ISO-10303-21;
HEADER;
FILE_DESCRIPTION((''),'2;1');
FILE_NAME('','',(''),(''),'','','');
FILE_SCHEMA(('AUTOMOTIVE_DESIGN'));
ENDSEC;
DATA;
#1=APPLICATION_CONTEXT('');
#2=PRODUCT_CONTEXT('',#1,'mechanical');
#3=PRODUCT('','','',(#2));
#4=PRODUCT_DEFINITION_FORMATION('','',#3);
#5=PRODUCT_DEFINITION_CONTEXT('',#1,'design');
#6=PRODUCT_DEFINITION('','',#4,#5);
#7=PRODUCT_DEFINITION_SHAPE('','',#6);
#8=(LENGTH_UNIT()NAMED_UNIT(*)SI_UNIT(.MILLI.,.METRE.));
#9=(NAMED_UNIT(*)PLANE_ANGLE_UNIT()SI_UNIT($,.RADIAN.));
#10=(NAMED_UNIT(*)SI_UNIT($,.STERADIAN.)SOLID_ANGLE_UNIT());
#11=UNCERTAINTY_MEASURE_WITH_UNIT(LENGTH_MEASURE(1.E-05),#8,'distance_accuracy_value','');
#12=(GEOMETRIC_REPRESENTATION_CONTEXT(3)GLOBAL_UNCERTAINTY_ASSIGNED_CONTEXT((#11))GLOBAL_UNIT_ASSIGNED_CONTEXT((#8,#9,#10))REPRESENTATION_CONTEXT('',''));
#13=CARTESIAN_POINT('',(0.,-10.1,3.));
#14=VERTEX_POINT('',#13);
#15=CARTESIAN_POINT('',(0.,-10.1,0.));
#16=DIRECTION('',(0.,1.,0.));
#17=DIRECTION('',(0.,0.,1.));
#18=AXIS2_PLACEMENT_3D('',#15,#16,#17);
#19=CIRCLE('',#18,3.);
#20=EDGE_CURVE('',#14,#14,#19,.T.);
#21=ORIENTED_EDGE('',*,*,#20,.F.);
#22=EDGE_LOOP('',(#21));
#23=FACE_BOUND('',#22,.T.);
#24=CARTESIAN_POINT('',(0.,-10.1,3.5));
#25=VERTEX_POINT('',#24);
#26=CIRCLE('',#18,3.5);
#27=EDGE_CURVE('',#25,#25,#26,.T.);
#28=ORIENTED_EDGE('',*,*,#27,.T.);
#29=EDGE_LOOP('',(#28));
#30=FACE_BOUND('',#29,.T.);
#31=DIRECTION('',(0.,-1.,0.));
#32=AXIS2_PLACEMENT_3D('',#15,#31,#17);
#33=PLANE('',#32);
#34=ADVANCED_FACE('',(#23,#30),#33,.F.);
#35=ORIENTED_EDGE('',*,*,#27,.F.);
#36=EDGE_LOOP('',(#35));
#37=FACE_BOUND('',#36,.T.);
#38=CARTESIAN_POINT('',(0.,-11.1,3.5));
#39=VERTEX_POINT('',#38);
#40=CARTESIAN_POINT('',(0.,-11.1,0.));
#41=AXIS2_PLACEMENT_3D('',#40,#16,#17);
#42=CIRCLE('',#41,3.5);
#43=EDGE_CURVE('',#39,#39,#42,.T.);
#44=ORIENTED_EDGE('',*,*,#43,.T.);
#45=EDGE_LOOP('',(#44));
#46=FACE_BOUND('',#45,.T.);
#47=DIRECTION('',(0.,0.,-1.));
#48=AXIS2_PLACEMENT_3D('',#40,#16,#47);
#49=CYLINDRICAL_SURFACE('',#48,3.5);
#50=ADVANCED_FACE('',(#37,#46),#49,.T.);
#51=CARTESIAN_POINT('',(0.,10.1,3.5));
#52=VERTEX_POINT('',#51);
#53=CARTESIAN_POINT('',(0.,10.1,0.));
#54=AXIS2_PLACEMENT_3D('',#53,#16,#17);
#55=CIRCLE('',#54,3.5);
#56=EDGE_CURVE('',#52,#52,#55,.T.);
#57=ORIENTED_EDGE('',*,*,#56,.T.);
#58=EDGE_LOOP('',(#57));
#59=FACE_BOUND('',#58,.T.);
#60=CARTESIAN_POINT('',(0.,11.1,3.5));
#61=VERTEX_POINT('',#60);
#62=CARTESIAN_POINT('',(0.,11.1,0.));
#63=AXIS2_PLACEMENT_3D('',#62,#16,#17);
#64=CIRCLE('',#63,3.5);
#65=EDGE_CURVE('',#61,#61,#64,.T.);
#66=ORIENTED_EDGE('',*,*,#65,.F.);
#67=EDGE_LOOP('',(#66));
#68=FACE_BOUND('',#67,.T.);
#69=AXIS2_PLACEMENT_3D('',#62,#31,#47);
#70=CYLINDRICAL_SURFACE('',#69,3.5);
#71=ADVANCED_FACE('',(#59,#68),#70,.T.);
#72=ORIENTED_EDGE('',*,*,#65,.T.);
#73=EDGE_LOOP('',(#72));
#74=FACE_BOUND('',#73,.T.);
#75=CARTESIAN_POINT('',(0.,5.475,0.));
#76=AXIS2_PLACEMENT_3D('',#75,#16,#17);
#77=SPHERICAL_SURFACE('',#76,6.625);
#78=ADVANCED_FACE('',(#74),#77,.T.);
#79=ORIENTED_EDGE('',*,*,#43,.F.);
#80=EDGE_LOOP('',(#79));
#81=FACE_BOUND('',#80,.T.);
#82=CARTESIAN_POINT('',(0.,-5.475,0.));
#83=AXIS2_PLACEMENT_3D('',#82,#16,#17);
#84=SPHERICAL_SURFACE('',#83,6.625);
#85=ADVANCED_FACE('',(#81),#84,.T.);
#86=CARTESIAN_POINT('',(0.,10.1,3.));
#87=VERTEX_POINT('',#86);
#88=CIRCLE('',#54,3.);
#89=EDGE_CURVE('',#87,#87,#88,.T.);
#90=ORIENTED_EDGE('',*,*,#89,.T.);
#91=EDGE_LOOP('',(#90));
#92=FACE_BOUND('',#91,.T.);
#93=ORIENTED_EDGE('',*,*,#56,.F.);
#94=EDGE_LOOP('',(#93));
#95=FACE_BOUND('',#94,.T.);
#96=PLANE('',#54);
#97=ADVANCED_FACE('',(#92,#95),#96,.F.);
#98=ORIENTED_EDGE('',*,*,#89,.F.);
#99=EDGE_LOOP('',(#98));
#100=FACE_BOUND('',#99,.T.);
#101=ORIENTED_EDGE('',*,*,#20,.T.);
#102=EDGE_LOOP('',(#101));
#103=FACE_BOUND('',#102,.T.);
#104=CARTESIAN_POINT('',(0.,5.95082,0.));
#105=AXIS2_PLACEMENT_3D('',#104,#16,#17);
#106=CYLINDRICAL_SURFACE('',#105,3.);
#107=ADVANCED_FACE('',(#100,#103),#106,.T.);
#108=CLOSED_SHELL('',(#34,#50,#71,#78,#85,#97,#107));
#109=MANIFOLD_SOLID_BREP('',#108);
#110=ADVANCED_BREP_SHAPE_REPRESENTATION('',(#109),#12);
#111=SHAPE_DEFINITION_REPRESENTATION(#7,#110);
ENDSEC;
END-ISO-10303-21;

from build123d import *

# Parameters (mm, degrees)
SKETCH1_W                  = 3
SKETCH1_H                  = 10.1
SKETCH2_R                  = 3.5
BOSS_EXTRUDE1_DEPTH        = 1
DOME1_FACE_RADIUS          = 3.5
DOME1_HEIGHT               = 1
MIRROR1_COPY_1_FACE_RADIUS = 3.5
MIRROR1_COPY_1_HEIGHT      = 1


with BuildPart() as part:
    # Sketch1 → Revolve1 (revolve)
    with BuildSketch(Plane.XY, mode=Mode.PRIVATE) as revolve1_sk:
        with Locations((-1.5, 5.05)):
            Rectangle(SKETCH1_W, SKETCH1_H)
    revolve1 = revolve(revolve1_sk.sketch.rotate(Axis((0, 5.950819672, 0), (0, -1, 0)), 270), axis=Axis((0, 5.950819672, 0), (0, -1, 0)))

    # Sketch2 → Boss-Extrude1 (add)
    with BuildSketch(Plane(origin=(0, 10.1, 0), x_dir=(1, 0, 0), z_dir=(0, 1, 0))):
        with Locations(Location((0, 0, 0), (0, 0, 270))):
            Circle(SKETCH2_R)
    boss_extrude1 = extrude(amount=BOSS_EXTRUDE1_DEPTH)

    # Dome1: a dome of height H over a round flat face of radius A is a cap of a sphere of radius (A * A + H * H) / (2 * H)
    dome1_r = (DOME1_FACE_RADIUS * DOME1_FACE_RADIUS + DOME1_HEIGHT * DOME1_HEIGHT) / (2 * DOME1_HEIGHT)
    dome1_base = Plane((0, 11.1, 0), z_dir=(0, 1, 0))
    with Locations(dome1_base.offset(DOME1_HEIGHT - dome1_r)):
        dome1_ball = Sphere(dome1_r, mode=Mode.PRIVATE)
    add(split(dome1_ball, bisect_by=dome1_base, keep=Keep.TOP, mode=Mode.PRIVATE))

    # Mirror1: Revolve1, Boss-Extrude1 across plane
    add(revolve1.mirror(Plane.ZX))
    add(boss_extrude1.mirror(Plane.ZX))

    # Mirror1 copy 1: a dome of height H over a round flat face of radius A is a cap of a sphere of radius (A * A + H * H) / (2 * H)
    mirror1_copy_1_r = (MIRROR1_COPY_1_FACE_RADIUS * MIRROR1_COPY_1_FACE_RADIUS + MIRROR1_COPY_1_HEIGHT * MIRROR1_COPY_1_HEIGHT) / (2 * MIRROR1_COPY_1_HEIGHT)
    mirror1_copy_1_base = Plane((0, -11.1, 0), z_dir=(0, -1, 0))
    with Locations(mirror1_copy_1_base.offset(MIRROR1_COPY_1_HEIGHT - mirror1_copy_1_r)):
        mirror1_copy_1_ball = Sphere(mirror1_copy_1_r, mode=Mode.PRIVATE)
    add(split(mirror1_copy_1_ball, bisect_by=mirror1_copy_1_base, keep=Keep.TOP, mode=Mode.PRIVATE))


solid = part.part
